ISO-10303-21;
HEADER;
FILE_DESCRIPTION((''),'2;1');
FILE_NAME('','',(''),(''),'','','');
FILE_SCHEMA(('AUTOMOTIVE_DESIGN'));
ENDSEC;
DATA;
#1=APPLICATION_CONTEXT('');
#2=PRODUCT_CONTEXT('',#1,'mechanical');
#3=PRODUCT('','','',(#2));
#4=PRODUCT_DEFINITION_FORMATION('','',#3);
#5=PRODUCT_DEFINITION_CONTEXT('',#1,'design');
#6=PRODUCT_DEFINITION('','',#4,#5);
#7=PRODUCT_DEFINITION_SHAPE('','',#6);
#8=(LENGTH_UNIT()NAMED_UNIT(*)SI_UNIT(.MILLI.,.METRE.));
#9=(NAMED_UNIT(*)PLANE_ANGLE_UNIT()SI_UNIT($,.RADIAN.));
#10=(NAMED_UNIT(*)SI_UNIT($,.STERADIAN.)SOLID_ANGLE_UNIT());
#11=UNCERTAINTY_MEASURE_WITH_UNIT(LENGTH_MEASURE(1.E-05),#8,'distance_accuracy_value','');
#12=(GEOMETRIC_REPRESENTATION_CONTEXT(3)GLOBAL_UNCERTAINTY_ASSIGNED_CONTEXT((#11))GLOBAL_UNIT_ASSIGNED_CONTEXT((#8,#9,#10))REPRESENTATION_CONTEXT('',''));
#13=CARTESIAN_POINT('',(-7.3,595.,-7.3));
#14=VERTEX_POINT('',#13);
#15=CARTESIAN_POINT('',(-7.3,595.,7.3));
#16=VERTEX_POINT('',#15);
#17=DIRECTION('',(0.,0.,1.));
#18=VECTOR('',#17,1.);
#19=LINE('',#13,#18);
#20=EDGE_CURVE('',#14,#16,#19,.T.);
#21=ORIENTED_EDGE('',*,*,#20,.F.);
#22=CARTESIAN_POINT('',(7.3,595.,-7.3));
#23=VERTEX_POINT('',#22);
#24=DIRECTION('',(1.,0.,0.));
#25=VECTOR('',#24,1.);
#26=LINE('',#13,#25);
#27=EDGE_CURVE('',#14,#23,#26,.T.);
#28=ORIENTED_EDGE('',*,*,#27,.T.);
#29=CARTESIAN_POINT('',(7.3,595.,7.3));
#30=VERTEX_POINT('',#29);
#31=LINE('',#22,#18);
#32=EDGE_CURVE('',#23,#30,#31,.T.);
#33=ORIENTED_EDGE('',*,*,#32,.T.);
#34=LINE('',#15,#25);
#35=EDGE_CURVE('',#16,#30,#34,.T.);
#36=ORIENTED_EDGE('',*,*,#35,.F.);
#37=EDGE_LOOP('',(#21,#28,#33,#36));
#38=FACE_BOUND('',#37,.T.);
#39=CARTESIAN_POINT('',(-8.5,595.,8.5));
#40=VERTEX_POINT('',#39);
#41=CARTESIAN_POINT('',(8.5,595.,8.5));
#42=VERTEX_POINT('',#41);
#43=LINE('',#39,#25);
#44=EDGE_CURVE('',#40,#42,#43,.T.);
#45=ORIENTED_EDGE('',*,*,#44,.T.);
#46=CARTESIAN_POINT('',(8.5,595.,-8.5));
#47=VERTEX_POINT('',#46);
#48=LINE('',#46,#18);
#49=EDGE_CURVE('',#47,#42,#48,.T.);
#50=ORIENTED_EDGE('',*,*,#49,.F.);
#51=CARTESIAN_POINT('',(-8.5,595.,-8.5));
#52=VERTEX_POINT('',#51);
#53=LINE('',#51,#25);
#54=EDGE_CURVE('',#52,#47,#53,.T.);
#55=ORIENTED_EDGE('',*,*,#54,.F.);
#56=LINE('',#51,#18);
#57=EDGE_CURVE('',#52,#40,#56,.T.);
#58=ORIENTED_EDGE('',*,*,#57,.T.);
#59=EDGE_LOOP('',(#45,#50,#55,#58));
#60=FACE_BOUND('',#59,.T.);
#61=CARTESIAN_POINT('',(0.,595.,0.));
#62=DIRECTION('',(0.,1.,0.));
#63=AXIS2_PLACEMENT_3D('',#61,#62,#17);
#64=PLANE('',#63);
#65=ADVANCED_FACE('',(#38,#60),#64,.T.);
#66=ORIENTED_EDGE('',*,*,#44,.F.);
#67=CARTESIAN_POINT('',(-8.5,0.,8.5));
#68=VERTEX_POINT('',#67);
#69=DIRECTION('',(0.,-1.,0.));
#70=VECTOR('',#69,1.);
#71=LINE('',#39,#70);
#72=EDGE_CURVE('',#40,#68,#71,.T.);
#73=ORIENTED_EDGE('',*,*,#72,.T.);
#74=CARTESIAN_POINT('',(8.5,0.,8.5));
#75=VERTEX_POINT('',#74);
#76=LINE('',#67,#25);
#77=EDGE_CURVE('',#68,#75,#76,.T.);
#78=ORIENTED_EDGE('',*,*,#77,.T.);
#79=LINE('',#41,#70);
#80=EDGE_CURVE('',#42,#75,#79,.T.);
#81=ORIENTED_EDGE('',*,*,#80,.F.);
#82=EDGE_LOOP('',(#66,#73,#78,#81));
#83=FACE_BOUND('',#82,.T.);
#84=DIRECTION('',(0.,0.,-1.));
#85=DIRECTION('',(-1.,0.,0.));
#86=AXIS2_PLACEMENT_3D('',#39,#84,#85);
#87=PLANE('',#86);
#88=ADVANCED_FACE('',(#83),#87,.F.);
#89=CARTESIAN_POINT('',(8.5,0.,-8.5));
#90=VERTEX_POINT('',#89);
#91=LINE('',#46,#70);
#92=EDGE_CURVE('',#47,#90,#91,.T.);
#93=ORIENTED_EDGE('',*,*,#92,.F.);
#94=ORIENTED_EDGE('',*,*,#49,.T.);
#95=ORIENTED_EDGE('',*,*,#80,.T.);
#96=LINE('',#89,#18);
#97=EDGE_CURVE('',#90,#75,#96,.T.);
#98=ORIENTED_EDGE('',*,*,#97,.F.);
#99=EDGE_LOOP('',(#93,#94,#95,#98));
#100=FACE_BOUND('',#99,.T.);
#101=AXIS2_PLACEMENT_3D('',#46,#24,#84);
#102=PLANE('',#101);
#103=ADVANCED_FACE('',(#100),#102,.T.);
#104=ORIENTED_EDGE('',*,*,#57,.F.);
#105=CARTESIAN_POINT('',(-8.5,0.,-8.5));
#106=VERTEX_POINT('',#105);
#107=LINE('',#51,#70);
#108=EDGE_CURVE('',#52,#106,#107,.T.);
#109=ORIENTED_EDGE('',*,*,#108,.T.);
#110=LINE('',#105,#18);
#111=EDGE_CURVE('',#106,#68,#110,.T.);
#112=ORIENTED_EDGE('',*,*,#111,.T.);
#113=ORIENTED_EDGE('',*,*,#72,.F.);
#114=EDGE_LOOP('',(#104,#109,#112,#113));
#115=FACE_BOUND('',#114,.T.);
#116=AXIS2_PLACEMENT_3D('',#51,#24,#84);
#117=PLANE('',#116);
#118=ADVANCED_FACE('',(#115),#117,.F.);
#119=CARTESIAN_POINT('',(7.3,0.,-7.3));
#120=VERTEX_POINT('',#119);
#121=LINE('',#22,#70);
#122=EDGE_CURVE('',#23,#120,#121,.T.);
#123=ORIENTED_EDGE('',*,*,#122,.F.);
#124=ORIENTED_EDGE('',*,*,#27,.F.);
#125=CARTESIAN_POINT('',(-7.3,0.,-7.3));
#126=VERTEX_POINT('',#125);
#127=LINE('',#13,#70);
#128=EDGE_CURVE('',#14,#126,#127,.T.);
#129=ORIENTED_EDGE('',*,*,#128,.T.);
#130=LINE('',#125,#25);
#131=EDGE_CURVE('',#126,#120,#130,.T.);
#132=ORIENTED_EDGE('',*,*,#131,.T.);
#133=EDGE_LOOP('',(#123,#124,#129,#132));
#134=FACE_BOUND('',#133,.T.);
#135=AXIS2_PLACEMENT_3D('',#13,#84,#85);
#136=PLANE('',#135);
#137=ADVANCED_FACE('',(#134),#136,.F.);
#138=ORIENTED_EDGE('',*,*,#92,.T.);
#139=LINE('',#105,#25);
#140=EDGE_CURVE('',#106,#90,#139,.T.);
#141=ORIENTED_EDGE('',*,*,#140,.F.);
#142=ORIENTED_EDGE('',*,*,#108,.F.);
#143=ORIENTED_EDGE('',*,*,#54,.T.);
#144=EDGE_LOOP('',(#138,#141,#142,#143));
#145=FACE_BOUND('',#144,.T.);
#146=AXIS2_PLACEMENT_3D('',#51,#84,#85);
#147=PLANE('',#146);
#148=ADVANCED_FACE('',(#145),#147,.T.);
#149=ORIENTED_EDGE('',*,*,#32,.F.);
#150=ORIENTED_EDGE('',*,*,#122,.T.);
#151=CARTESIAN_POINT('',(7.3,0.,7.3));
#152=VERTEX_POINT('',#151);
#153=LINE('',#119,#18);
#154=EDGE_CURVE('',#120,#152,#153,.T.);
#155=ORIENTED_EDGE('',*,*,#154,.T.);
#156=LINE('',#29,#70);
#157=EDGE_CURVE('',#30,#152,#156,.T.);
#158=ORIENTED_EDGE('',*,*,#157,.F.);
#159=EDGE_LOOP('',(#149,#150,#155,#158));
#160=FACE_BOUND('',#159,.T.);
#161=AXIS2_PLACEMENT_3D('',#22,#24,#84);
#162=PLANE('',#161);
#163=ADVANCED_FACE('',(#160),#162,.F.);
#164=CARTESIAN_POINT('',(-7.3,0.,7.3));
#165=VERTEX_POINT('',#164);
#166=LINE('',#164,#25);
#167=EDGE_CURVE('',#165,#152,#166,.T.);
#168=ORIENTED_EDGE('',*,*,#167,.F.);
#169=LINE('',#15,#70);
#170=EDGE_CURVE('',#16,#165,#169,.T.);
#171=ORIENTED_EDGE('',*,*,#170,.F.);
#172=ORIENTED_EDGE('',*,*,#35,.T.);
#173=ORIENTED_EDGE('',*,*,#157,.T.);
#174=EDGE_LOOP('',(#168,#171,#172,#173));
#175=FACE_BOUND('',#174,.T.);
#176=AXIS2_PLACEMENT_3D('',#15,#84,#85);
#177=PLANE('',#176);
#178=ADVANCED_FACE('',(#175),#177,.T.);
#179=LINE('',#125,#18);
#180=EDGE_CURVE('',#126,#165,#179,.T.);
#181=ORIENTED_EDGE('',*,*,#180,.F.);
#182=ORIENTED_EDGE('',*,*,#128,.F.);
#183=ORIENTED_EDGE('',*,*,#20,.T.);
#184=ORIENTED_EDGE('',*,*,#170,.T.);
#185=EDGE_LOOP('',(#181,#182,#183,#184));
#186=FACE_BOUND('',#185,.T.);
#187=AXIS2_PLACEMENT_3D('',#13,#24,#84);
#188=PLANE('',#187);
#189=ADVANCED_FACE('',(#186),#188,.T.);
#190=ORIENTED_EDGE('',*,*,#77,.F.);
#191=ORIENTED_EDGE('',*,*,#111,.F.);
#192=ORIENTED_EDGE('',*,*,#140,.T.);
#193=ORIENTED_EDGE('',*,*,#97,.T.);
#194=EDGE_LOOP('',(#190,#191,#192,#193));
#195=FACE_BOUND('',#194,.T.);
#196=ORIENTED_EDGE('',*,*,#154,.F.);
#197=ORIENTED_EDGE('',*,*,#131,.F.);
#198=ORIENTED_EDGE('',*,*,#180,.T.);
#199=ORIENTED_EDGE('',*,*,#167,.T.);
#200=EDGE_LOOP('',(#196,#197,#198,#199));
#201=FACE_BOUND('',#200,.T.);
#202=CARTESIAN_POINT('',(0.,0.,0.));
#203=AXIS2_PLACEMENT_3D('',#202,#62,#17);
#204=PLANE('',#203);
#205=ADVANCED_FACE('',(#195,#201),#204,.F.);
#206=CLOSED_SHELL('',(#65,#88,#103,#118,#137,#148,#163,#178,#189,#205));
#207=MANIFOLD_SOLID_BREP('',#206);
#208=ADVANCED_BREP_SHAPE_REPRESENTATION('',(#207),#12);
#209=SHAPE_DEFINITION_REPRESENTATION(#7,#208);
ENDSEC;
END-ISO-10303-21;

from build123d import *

# Parameters (mm, degrees)
SKETCH1_W           = 17
SKETCH1_H           = 17
SKETCH1_W_2         = 14.6
SKETCH1_H_2         = 14.6
BOSS_EXTRUDE1_DEPTH = 595


with BuildPart() as part:
    # Sketch1 → Boss-Extrude1 (new body)
    with BuildSketch(Plane(origin=(0, 0, 0), x_dir=(1, 0, 0), z_dir=(0, 1, 0))):
        Rectangle(SKETCH1_W, SKETCH1_H)
        Rectangle(SKETCH1_W_2, SKETCH1_H_2, mode=Mode.SUBTRACT)
    extrude(amount=BOSS_EXTRUDE1_DEPTH)


solid = part.part
